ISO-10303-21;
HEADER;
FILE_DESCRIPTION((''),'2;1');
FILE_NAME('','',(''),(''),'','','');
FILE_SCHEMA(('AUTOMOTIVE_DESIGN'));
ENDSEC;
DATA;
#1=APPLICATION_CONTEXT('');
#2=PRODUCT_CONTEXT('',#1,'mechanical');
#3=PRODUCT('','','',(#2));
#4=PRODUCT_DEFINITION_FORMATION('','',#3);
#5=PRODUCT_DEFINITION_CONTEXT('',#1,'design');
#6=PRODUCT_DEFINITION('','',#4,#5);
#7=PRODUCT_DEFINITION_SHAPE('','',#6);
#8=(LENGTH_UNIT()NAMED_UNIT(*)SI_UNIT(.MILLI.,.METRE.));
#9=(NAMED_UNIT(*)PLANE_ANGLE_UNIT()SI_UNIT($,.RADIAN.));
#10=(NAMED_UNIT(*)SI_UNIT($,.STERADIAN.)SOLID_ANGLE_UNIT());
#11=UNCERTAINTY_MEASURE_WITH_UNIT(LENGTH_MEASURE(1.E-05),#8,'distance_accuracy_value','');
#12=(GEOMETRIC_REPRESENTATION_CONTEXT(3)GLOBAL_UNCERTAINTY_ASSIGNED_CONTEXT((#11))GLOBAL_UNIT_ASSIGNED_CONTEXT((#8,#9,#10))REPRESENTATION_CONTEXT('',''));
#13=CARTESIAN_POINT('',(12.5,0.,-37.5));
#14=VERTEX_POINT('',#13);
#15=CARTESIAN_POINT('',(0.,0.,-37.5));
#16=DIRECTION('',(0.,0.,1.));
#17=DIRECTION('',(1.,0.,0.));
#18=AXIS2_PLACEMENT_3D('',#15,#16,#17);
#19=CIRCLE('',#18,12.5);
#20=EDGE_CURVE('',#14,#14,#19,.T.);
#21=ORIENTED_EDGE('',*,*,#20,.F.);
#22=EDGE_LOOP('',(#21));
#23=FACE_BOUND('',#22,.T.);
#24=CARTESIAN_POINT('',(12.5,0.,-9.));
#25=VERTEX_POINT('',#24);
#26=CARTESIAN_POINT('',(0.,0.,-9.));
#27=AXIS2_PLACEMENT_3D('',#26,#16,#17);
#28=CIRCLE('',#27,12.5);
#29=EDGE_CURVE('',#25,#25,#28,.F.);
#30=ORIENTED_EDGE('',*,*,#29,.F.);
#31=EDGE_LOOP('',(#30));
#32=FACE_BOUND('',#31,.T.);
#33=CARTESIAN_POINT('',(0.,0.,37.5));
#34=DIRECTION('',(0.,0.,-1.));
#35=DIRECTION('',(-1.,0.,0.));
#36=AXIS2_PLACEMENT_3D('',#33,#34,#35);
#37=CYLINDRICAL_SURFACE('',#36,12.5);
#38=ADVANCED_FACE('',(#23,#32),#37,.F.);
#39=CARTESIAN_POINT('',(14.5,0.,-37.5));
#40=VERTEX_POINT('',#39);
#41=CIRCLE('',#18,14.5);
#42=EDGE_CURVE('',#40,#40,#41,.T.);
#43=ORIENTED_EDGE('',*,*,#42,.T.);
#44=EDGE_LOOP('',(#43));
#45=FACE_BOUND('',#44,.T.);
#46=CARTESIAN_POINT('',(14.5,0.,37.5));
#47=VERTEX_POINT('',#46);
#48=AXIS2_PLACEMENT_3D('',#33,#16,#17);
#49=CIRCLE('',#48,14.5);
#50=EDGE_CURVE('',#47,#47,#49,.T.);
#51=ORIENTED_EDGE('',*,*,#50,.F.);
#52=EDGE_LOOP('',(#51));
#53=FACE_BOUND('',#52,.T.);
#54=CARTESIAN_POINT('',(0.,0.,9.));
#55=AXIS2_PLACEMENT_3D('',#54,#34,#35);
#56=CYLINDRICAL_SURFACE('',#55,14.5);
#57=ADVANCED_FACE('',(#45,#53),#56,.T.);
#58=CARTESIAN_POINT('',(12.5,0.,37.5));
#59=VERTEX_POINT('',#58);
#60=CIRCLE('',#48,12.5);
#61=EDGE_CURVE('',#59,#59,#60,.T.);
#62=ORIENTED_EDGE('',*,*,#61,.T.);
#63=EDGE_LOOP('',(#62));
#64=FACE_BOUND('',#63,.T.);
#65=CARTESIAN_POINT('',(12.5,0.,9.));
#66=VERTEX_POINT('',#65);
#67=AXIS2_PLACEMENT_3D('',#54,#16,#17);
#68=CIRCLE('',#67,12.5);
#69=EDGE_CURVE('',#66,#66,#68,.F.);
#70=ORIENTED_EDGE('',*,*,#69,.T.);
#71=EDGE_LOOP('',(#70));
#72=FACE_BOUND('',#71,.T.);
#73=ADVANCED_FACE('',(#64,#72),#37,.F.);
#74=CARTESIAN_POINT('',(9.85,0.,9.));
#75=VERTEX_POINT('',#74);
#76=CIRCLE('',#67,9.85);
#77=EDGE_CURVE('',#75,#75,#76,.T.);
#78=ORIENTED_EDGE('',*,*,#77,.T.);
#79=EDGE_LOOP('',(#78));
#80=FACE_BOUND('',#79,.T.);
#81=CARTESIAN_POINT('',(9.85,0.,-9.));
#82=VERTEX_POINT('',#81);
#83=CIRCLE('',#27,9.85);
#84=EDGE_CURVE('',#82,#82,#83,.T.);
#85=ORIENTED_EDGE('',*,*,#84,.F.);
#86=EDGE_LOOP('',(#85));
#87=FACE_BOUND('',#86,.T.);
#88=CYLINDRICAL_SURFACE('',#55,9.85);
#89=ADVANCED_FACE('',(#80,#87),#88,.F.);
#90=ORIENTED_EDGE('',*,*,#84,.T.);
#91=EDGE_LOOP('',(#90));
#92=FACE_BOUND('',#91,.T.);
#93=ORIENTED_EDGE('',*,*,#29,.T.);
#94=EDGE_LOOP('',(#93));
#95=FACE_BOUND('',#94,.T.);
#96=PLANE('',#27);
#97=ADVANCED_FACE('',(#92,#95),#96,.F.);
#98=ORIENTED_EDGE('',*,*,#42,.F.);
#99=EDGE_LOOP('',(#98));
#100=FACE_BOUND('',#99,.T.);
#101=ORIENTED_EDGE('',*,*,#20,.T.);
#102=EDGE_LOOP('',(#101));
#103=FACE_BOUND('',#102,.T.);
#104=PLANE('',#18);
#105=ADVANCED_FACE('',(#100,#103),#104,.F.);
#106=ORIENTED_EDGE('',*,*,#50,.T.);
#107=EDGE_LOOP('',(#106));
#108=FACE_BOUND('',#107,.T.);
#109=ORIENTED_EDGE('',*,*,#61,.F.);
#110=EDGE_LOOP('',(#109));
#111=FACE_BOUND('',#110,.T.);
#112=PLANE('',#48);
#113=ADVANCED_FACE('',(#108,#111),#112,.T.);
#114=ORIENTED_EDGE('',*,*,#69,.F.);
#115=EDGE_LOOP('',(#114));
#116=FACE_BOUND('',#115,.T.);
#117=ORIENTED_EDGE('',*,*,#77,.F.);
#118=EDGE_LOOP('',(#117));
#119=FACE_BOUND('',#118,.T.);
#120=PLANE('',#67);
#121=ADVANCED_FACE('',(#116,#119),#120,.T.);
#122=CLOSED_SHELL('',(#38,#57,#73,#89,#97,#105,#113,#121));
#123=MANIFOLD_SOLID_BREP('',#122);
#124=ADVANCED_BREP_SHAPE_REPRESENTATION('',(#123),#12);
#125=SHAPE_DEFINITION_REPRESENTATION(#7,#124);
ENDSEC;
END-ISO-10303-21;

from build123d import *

# Parameters (mm, degrees)
SKETCH1_R           = 14.5
SKETCH1_R_2         = 9.85
BOSS_EXTRUDE1_DEPTH = 9
SKETCH2_R           = 14.5
SKETCH2_R_2         = 12.5
BOSS_EXTRUDE2_DEPTH = 37.5


with BuildPart() as part:
    # Sketch1 → Boss-Extrude1 (new body, symmetric)
    with BuildSketch(Plane.XY):
        Circle(SKETCH1_R)
        Circle(SKETCH1_R_2, mode=Mode.SUBTRACT)
    extrude(amount=BOSS_EXTRUDE1_DEPTH, both=True)

    # Sketch2 → Boss-Extrude2 (add, symmetric)
    with BuildSketch(Plane.XY):
        Circle(SKETCH2_R)
        Circle(SKETCH2_R_2, mode=Mode.SUBTRACT)
    extrude(amount=BOSS_EXTRUDE2_DEPTH, both=True)


solid = part.part
